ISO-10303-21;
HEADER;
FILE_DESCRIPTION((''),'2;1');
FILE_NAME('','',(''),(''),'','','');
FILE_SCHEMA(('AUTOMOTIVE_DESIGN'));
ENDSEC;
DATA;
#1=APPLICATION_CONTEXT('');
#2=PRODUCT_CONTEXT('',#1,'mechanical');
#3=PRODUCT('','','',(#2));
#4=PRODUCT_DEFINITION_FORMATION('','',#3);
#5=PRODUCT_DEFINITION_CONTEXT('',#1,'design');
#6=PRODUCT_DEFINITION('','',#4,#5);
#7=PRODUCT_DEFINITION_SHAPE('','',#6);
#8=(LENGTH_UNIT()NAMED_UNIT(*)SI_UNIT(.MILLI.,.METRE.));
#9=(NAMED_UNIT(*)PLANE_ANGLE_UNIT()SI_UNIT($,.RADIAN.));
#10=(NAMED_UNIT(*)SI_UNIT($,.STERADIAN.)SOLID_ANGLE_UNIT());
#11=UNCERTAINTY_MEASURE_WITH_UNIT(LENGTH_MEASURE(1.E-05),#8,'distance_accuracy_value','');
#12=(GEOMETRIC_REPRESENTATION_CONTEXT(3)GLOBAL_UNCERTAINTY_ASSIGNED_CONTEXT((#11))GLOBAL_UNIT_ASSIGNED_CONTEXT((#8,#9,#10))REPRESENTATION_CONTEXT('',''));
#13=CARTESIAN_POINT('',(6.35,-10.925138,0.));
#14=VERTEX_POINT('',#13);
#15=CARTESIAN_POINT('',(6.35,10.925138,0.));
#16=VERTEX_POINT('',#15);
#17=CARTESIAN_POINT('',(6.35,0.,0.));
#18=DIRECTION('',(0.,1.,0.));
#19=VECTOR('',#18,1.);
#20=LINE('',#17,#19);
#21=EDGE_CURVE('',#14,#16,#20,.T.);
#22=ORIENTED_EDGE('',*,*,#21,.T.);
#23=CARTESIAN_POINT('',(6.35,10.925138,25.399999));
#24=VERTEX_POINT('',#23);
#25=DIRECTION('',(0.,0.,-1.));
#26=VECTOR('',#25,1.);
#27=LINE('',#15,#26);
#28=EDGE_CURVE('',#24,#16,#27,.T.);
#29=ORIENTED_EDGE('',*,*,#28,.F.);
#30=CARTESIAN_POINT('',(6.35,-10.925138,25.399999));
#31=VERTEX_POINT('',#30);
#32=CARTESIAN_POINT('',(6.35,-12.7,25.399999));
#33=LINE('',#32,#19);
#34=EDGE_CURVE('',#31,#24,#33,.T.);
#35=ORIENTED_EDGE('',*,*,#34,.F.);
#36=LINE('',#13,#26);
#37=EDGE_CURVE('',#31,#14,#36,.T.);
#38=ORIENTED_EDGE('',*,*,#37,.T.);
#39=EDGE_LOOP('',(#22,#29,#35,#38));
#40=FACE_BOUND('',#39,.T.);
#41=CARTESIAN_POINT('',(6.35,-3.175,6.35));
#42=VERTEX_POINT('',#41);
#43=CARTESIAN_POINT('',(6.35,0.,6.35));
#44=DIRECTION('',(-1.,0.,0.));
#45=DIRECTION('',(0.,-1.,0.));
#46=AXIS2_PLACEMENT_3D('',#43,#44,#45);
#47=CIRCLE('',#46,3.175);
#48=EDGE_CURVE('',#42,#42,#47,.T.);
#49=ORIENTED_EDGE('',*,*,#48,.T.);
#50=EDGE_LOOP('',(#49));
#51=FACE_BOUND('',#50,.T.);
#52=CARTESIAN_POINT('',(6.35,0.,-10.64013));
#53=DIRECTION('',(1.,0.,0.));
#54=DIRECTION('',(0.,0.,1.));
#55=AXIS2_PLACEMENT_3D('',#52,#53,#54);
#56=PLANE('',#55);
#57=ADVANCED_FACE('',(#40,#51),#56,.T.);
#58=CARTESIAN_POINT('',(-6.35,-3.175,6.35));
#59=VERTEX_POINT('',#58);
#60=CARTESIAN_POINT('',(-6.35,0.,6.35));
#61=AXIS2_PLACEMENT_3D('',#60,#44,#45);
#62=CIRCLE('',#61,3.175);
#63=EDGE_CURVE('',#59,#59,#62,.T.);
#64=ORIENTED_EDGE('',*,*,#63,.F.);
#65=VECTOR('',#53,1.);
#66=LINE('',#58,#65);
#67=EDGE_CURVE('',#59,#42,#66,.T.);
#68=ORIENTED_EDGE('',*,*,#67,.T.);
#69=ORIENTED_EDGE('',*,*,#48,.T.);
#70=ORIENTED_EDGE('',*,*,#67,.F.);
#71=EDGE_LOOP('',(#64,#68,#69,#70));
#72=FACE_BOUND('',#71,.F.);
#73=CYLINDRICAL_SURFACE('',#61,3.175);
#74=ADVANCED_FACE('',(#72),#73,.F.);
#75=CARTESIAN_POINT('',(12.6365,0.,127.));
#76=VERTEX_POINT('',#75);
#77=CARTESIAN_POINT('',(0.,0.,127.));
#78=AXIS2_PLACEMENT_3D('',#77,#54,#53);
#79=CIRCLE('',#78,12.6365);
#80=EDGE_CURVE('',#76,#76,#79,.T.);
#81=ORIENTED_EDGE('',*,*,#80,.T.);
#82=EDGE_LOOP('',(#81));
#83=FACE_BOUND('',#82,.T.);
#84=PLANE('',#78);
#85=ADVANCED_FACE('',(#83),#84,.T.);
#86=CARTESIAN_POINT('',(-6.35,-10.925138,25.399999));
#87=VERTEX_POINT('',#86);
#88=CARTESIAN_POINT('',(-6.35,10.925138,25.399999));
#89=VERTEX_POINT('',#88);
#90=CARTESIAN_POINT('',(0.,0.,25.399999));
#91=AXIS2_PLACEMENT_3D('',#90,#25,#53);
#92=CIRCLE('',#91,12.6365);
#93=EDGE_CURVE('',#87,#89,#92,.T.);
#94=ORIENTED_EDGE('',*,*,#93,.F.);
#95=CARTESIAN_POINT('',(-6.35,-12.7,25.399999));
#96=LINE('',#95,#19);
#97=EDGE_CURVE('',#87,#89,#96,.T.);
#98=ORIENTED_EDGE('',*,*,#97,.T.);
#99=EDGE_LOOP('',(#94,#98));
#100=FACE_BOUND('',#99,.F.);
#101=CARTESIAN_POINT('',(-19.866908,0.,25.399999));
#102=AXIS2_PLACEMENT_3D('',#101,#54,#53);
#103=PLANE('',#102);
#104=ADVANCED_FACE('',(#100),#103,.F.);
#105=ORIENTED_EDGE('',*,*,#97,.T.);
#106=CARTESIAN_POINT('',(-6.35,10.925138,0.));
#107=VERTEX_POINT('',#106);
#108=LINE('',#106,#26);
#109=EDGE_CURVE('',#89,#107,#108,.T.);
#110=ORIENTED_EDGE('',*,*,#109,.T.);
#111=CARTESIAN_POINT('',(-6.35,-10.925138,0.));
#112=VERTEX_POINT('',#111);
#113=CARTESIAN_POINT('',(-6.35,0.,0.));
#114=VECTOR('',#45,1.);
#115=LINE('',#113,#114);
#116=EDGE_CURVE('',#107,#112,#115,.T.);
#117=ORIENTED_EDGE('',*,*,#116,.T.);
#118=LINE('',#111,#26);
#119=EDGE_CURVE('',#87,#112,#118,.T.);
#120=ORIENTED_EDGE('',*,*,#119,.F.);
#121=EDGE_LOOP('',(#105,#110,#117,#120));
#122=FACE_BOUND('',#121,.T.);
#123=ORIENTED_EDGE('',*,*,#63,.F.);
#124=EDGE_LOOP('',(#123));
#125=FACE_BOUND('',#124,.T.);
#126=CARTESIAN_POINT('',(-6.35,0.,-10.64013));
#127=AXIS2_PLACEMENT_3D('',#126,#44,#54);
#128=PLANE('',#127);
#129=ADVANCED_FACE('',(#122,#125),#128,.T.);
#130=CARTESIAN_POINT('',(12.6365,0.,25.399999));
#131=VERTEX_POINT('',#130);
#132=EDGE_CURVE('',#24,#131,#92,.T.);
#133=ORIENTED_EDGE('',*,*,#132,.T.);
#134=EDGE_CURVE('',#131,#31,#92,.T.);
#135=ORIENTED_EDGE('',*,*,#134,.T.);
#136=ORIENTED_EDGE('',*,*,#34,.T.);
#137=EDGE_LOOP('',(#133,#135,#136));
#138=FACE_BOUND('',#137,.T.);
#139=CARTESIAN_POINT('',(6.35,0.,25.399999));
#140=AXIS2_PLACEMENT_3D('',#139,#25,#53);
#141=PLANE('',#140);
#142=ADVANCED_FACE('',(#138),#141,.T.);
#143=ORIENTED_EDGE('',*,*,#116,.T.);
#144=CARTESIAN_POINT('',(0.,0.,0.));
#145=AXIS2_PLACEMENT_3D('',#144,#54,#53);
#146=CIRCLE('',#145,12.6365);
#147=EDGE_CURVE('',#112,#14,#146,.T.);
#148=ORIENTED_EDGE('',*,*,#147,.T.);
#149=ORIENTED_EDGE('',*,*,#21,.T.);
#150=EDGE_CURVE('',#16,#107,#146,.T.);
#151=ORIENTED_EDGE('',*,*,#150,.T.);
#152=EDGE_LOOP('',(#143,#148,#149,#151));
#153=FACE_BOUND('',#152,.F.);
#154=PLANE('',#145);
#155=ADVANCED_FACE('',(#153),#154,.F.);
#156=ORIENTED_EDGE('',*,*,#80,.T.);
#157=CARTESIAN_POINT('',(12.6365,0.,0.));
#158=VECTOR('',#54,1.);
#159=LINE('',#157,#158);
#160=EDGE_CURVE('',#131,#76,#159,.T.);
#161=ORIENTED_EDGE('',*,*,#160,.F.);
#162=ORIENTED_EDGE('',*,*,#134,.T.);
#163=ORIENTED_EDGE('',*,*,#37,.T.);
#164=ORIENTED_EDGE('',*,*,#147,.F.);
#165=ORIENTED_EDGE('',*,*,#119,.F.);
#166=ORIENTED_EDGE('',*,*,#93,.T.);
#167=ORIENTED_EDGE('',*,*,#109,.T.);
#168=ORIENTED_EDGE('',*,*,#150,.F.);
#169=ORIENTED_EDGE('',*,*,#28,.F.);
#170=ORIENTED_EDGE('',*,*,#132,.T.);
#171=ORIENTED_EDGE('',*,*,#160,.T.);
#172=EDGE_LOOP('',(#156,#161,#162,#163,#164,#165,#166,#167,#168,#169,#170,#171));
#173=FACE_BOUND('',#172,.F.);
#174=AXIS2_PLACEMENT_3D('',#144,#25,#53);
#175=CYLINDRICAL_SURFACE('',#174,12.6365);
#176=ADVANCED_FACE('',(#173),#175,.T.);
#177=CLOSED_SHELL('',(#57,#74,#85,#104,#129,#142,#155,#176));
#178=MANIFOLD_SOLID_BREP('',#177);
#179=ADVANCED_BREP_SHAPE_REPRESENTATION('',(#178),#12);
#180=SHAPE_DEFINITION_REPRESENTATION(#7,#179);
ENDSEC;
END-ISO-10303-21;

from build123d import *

# Parameters (mm, degrees)
F0_R     = 12.6365
F1_DEPTH = 127
F2_W     = 13.516908
F2_H     = 36.040129
F3_DEPTH = 12.7
F4_R     = 3.175
F5_DEPTH = 25.4


with BuildPart() as f1:
    # F0 (on Top) → F1 (new body)
    with BuildSketch(Plane.XY):
        Circle(F0_R)
    extrude(amount=F1_DEPTH)

    # F2 (on Front) → F3 (cut, symmetric)
    with BuildSketch(Plane.XZ):
        with Locations((-13.108454, 7.379935)):
            Rectangle(F2_W, F2_H)
        with Locations((13.108454, 7.379935)):
            Rectangle(F2_W, F2_H)
    extrude(amount=F3_DEPTH, both=True, mode=Mode.SUBTRACT)

    # F4 (on face) → F5 (cut)
    with BuildSketch(Plane(origin=(-6.35, 0, 0), x_dir=(0, -1, 0), z_dir=(-1, 0, 0))):
        with Locations((0, 6.35)):
            Circle(F4_R)
    extrude(amount=-F5_DEPTH, mode=Mode.SUBTRACT)


solid = f1.part
